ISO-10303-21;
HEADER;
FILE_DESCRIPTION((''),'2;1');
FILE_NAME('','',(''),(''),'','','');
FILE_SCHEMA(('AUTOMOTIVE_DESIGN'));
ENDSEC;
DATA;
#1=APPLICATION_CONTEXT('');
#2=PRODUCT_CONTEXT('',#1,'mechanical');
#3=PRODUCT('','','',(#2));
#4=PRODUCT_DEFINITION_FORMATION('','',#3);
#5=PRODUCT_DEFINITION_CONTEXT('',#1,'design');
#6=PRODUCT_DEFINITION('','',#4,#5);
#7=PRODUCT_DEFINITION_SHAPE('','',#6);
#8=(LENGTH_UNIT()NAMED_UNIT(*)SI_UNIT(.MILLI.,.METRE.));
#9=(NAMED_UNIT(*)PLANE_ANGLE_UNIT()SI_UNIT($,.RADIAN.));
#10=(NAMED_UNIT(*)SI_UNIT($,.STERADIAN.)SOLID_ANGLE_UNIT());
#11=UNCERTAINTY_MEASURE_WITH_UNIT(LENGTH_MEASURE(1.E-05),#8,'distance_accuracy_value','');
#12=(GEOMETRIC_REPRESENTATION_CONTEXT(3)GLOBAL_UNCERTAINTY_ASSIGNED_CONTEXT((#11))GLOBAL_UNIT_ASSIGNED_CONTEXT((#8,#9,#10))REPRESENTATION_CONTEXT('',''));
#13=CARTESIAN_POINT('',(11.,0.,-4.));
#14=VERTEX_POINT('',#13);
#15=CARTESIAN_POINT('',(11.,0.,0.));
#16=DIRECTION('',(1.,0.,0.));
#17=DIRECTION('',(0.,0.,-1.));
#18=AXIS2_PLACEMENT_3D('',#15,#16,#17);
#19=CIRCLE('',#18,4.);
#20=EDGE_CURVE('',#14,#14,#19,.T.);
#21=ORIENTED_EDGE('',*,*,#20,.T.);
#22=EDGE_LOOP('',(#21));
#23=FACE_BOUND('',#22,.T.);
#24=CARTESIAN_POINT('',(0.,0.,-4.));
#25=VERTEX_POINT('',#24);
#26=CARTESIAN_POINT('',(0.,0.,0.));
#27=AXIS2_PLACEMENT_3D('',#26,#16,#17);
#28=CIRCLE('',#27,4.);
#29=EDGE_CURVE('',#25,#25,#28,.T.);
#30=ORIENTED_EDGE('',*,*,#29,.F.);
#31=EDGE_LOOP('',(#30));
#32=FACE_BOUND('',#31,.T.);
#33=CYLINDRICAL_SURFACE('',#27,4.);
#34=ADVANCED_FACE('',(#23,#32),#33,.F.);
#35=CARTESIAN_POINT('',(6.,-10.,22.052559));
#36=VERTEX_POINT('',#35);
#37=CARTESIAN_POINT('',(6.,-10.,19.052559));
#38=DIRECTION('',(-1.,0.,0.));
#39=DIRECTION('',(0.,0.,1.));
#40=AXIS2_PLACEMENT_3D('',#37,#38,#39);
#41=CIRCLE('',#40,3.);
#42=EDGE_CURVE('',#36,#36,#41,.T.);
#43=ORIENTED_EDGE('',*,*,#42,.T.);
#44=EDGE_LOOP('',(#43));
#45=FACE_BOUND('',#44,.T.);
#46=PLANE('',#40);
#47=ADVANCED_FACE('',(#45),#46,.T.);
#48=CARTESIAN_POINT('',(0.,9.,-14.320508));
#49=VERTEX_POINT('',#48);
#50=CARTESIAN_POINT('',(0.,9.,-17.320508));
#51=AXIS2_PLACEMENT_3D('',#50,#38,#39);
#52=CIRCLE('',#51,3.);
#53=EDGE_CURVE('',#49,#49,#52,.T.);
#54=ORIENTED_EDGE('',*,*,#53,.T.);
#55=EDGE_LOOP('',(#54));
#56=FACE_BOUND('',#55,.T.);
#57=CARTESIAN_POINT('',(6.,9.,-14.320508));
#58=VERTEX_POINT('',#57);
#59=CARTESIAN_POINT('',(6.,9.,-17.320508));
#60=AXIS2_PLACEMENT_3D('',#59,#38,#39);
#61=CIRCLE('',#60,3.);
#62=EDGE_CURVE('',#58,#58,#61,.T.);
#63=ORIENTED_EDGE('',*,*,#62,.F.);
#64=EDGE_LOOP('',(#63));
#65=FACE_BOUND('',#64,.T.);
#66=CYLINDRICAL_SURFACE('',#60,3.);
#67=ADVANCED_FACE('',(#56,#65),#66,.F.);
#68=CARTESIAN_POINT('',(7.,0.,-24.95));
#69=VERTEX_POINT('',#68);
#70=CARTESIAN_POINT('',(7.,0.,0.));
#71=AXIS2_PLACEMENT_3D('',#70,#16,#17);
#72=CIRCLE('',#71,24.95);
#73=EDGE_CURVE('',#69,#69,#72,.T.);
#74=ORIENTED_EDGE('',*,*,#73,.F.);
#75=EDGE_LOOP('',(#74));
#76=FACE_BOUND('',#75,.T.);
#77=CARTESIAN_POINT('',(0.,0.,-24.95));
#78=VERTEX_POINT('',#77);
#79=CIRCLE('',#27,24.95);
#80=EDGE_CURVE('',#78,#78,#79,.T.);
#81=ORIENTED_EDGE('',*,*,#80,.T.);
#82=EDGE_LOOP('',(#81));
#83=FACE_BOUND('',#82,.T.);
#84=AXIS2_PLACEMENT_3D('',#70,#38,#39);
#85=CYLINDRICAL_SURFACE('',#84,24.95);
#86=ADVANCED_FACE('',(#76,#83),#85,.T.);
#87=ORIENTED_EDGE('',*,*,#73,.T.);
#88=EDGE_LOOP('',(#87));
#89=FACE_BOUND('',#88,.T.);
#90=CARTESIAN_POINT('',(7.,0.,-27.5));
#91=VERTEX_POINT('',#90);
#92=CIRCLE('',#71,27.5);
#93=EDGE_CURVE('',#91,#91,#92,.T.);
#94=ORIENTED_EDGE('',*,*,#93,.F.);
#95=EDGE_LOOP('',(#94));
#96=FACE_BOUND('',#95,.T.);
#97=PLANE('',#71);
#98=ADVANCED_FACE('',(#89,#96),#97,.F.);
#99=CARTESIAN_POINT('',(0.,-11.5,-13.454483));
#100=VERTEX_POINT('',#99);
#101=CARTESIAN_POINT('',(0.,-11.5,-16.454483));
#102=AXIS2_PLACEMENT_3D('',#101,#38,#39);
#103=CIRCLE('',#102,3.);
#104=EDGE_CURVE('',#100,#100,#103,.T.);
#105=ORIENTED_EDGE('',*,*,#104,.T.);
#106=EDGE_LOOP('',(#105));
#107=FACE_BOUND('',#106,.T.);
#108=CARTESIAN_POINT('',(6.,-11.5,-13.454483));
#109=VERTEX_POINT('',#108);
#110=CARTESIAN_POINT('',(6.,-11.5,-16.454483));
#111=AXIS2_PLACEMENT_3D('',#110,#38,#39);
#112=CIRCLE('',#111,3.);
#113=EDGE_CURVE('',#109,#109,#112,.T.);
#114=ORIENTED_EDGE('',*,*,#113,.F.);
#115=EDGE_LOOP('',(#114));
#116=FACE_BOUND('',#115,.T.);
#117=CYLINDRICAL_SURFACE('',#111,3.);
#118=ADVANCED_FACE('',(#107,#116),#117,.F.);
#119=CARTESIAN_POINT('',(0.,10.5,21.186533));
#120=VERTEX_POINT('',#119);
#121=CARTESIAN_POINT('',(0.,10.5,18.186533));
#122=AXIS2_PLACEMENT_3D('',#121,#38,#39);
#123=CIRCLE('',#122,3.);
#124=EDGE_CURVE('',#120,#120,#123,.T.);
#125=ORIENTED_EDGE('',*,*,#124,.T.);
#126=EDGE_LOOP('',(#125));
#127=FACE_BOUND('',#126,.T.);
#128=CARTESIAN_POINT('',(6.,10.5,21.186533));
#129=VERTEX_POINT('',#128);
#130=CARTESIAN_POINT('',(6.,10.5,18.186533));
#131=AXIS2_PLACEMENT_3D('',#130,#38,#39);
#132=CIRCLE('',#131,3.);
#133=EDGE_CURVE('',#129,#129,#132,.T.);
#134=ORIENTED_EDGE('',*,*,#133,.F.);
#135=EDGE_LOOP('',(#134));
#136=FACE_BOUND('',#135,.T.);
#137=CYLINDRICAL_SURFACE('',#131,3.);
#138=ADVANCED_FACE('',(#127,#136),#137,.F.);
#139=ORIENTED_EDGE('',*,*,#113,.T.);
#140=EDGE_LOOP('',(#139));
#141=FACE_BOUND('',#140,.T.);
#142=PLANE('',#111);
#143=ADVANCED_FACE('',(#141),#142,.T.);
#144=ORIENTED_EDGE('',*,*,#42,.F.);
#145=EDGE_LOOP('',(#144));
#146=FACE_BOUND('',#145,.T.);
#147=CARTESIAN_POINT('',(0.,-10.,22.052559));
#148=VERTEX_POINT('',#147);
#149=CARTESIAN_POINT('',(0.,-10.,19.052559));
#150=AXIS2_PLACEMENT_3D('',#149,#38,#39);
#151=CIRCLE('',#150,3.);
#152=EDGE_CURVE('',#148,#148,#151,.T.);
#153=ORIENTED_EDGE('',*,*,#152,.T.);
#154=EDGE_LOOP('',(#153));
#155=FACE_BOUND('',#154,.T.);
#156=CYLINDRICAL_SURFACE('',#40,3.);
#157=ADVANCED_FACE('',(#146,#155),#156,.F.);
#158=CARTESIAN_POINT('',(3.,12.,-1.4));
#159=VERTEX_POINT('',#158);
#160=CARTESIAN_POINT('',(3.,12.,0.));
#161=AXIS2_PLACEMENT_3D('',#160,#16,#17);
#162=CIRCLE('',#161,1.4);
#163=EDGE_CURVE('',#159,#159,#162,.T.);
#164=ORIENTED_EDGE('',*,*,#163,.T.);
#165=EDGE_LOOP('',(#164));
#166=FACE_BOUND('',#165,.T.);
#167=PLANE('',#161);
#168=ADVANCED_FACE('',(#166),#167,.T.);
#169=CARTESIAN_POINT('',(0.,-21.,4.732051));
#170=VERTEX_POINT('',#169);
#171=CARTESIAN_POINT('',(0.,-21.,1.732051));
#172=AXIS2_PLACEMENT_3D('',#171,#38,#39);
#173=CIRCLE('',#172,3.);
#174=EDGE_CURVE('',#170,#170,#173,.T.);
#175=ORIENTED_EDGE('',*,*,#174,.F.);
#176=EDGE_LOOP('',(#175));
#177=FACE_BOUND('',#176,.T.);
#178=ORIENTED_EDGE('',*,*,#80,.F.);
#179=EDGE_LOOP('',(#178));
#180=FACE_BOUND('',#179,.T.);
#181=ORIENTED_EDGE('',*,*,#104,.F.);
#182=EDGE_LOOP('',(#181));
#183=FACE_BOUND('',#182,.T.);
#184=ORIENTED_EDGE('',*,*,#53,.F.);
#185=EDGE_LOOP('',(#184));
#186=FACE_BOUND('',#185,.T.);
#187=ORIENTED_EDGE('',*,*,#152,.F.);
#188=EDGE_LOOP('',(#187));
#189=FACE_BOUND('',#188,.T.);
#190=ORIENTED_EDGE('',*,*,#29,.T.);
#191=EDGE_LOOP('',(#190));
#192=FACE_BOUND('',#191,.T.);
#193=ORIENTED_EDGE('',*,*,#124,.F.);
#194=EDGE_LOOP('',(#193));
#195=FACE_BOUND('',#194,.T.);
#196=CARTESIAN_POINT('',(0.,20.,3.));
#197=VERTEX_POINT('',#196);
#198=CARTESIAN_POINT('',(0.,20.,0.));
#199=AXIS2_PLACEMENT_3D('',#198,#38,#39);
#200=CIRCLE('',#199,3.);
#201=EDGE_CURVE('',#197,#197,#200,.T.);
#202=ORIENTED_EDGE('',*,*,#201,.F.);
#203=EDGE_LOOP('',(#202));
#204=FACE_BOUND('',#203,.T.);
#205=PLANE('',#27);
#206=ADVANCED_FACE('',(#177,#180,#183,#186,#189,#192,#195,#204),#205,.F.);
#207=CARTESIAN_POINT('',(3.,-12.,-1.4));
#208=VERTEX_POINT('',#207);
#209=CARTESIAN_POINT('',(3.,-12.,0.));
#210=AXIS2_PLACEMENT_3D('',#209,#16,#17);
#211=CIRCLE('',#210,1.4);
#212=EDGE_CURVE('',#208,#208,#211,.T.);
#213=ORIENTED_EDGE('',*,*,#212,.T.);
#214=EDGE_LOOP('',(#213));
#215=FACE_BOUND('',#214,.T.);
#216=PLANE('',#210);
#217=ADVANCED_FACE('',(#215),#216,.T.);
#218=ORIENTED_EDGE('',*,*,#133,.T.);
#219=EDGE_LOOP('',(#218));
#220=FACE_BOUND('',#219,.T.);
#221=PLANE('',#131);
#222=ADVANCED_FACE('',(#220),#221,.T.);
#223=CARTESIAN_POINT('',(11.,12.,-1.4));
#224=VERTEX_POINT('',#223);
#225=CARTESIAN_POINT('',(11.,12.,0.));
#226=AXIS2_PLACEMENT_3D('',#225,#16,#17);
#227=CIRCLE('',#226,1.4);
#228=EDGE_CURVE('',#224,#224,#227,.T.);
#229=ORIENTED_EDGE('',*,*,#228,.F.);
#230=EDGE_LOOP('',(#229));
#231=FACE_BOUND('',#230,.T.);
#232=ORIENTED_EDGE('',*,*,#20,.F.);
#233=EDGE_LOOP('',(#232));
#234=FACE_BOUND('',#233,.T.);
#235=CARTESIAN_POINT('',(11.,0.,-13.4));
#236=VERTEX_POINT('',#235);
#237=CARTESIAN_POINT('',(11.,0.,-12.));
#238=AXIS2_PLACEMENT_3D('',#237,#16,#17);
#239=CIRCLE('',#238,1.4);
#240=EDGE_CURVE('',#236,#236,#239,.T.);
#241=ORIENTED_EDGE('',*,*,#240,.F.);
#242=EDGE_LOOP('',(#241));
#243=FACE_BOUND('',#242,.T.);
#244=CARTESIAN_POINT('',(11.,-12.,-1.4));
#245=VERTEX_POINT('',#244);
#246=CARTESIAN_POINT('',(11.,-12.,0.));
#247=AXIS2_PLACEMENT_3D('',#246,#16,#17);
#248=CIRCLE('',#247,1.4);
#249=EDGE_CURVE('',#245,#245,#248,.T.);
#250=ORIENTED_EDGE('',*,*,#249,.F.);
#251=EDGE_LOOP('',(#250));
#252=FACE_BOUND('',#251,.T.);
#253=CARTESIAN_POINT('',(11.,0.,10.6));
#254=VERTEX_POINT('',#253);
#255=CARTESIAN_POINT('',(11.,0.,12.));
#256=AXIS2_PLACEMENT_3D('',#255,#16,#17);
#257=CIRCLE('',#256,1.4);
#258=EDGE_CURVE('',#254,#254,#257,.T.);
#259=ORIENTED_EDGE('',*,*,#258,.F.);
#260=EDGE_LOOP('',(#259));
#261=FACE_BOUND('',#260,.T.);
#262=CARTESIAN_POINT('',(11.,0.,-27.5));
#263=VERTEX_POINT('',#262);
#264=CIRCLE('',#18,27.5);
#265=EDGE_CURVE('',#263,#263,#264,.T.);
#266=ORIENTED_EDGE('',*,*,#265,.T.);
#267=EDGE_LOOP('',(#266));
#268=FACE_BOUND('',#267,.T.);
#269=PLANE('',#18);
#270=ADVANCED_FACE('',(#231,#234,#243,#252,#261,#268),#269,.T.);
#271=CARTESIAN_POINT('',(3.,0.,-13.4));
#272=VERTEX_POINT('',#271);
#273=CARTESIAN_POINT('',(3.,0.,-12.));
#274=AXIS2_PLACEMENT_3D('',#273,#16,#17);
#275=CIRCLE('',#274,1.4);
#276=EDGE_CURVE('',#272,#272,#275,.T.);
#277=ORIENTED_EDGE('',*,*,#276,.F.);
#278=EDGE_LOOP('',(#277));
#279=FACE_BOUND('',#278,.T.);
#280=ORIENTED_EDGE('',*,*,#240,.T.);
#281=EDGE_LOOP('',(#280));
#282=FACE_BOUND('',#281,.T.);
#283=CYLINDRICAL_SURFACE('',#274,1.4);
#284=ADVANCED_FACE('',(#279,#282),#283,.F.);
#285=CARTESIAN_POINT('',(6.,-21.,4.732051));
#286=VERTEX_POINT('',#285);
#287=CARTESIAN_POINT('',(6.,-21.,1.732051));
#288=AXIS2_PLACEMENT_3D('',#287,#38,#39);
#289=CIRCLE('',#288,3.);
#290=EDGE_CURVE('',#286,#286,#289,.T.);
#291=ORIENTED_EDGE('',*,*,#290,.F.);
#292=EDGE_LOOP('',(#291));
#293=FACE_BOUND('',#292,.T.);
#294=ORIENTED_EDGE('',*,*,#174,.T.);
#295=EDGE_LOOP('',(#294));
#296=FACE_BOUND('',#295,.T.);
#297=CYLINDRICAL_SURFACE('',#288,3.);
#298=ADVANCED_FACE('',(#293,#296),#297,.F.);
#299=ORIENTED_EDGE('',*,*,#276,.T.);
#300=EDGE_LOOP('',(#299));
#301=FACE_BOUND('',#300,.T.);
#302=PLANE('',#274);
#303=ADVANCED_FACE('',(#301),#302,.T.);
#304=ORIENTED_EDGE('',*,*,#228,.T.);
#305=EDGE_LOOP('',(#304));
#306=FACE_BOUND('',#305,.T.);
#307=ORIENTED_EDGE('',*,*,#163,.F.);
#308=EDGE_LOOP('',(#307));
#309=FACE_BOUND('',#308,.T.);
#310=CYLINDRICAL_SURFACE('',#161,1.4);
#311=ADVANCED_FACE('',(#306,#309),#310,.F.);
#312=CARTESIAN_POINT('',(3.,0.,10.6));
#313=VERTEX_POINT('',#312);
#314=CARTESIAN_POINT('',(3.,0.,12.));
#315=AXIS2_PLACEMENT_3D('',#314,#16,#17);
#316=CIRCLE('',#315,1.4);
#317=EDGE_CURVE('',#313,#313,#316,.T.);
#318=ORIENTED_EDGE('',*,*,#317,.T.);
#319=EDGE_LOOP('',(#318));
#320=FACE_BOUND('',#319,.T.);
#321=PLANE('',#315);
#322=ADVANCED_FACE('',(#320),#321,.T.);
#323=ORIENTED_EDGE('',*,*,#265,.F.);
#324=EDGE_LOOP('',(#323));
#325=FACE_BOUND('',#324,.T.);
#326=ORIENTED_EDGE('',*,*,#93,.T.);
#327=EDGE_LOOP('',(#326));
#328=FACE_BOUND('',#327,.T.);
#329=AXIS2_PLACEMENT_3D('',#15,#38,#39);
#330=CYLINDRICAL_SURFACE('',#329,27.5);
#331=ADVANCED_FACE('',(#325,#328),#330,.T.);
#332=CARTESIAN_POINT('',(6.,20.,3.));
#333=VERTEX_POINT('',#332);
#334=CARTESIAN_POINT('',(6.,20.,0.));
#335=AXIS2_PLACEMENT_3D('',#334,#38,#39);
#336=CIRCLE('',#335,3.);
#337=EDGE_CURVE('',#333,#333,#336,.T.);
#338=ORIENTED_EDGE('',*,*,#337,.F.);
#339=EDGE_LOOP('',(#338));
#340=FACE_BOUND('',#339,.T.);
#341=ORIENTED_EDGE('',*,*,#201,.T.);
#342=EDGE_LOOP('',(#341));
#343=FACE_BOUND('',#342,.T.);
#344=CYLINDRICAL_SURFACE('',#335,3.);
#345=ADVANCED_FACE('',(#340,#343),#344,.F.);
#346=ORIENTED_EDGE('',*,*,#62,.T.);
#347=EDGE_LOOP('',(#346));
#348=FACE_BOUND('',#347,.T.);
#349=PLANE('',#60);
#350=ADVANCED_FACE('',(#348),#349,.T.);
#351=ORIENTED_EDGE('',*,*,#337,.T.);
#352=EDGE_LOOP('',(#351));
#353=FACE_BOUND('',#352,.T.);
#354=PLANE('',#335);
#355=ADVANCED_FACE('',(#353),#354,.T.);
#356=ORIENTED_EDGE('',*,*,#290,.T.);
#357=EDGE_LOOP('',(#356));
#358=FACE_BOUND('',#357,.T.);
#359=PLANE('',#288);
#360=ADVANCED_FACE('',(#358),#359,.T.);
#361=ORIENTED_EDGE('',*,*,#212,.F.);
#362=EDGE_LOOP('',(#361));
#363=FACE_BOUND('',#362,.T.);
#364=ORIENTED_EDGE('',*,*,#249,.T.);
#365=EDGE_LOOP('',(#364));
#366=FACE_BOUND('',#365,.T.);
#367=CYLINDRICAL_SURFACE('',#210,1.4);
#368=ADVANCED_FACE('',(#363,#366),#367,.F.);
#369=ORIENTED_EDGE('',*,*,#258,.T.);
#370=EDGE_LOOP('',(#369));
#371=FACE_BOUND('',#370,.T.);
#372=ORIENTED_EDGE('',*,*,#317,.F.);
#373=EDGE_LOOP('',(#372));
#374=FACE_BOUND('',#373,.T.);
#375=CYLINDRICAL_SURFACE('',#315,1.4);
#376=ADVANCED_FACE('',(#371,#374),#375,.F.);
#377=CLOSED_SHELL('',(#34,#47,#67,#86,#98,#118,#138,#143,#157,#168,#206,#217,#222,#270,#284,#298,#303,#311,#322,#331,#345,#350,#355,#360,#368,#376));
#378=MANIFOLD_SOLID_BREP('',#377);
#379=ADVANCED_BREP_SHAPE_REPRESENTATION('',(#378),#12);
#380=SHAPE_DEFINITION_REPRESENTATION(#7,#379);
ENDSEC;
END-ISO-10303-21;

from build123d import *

# Parameters (mm, degrees)
SKETCH1_R          = 24.95
HUB_DEPTH          = 7
SKETCH2_R          = 27.5
SHOULDER_DEPTH     = 4
SKETCH3_R          = 4
CUT_EXTRUDE1_DEPTH = 41.416580756
SKETCH5_R          = 1.4
CUT_EXTRUDE3_DEPTH = 8
SKETCH6_R          = 3
CUT_EXTRUDE4_DEPTH = 6


with BuildPart() as part:
    # Sketch1 → Hub (new body)
    with BuildSketch(Plane(origin=(0, 0, 0), x_dir=(0, 0, -1), z_dir=(1, 0, 0))):
        Circle(SKETCH1_R)
    extrude(amount=HUB_DEPTH)

    # Sketch2 → Shoulder (add)
    with BuildSketch(Plane(origin=(7, 0, 0), x_dir=(0, 0, -1), z_dir=(1, 0, 0))):
        Circle(SKETCH2_R)
    extrude(amount=SHOULDER_DEPTH)

    # Sketch3 → Cut-Extrude1 (cut, through all)
    with BuildSketch(Plane(origin=(11, 0, 0), x_dir=(0, 0, -1), z_dir=(1, 0, 0))):
        Circle(SKETCH3_R)
    extrude(amount=-CUT_EXTRUDE1_DEPTH, mode=Mode.SUBTRACT)

    # Sketch5 → Cut-Extrude3 (cut)
    with BuildSketch(Plane(origin=(11, 0, 0), x_dir=(0, 0, -1), z_dir=(1, 0, 0))):
        with Locations((-12, 0)):
            Circle(SKETCH5_R)
        with Locations((0, 12)):
            Circle(SKETCH5_R)
        with Locations((12, 0)):
            Circle(SKETCH5_R)
        with Locations((0, -12)):
            Circle(SKETCH5_R)
    extrude(amount=-CUT_EXTRUDE3_DEPTH, mode=Mode.SUBTRACT)

    # Sketch6 → Cut-Extrude4 (cut)
    with BuildSketch(Plane.ZY):
        with Locations((0, 20)):
            Circle(SKETCH6_R)
        with Locations((18.186533479, 10.5)):
            Circle(SKETCH6_R)
        with Locations((19.052558883, -10)):
            Circle(SKETCH6_R)
        with Locations((1.732050808, -21)):
            Circle(SKETCH6_R)
        with Locations((-16.454482672, -11.5)):
            Circle(SKETCH6_R)
        with Locations((-17.320508076, 9)):
            Circle(SKETCH6_R)
    extrude(amount=-CUT_EXTRUDE4_DEPTH, mode=Mode.SUBTRACT)


solid = part.part
